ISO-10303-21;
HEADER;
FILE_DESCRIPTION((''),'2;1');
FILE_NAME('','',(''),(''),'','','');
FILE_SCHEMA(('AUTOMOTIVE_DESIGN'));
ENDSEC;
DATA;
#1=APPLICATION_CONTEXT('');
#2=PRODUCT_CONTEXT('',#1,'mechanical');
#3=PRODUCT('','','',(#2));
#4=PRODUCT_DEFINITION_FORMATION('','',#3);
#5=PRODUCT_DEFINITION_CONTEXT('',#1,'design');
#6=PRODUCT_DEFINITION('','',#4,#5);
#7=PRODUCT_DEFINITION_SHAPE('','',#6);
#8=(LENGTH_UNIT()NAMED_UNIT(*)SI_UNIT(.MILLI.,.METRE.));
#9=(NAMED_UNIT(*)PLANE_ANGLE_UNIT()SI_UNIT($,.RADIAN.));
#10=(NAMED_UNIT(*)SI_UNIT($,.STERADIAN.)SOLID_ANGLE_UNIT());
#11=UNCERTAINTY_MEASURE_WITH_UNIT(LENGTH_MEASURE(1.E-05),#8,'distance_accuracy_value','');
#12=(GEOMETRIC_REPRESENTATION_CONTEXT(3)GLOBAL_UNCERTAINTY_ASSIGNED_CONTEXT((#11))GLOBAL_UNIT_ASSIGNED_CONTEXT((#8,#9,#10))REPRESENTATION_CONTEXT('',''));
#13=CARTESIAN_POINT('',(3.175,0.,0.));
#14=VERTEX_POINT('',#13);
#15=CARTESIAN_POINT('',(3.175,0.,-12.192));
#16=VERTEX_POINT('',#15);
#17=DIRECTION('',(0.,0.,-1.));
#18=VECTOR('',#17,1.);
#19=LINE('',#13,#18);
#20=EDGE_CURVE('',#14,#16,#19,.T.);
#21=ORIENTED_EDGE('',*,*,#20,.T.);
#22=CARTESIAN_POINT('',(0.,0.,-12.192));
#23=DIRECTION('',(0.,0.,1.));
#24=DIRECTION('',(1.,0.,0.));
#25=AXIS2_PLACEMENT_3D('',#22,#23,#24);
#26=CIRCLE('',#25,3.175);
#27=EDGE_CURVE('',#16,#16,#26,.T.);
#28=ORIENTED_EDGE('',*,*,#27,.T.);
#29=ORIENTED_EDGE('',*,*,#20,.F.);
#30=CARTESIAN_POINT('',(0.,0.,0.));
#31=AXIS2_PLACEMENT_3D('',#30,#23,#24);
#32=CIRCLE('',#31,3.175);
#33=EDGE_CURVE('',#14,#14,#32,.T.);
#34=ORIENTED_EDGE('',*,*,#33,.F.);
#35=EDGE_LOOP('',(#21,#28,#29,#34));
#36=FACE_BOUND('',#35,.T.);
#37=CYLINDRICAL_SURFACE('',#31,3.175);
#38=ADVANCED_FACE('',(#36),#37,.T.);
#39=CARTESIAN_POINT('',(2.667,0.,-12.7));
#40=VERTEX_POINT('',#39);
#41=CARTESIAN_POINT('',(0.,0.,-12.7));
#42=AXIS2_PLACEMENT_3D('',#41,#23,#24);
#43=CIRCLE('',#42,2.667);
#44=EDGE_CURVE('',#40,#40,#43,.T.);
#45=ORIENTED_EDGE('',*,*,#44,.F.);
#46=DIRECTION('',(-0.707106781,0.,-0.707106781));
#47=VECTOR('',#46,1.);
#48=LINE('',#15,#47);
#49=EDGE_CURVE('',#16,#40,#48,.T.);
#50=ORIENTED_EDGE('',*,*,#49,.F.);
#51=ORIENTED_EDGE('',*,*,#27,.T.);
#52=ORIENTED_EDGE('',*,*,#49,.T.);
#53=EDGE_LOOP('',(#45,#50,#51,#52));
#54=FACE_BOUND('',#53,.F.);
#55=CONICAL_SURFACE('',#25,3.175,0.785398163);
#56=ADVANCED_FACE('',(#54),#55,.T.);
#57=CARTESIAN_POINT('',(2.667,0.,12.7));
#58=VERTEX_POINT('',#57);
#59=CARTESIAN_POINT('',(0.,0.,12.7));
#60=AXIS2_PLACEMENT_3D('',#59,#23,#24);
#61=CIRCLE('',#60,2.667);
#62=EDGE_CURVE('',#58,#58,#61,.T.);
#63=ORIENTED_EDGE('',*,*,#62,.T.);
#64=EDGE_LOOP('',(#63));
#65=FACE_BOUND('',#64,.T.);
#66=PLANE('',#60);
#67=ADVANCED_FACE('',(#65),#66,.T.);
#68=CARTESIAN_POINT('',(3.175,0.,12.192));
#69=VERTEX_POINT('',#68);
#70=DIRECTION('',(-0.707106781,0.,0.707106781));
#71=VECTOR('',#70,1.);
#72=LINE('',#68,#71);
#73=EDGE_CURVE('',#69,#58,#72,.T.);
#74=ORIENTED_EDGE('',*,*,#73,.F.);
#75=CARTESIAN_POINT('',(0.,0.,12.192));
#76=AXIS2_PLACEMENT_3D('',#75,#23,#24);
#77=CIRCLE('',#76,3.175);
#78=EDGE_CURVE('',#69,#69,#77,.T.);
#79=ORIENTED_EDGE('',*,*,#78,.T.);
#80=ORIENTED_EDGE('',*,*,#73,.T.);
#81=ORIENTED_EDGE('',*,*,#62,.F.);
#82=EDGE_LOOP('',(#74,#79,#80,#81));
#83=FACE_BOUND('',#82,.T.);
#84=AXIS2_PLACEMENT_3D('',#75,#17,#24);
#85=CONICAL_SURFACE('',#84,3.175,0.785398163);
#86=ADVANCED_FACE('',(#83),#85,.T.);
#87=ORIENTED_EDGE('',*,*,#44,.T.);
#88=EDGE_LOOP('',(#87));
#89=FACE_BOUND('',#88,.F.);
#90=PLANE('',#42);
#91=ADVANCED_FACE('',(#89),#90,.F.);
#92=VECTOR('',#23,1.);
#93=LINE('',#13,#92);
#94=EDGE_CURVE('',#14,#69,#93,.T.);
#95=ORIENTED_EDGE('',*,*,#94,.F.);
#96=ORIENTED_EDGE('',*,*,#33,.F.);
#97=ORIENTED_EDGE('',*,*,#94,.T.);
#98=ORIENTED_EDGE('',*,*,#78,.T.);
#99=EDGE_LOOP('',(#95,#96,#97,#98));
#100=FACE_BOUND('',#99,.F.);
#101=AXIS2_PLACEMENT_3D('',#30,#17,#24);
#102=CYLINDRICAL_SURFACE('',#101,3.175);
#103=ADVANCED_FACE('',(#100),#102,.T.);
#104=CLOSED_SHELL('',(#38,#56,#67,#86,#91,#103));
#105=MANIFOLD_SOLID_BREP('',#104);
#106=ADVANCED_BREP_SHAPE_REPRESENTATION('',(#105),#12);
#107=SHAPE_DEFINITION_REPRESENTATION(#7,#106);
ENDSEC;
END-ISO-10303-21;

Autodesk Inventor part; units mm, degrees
ref_plane "YZ Plane" through (0, 0, 0) normal (1, 0, 0) x (0, 1, 0)
ref_plane "XZ Plane" through (0, 0, 0) normal (0, 1, 0) x (-1, 0, 0)
ref_plane "XY Plane" through (0, 0, 0) normal (0, 0, 1) x (1, 0, 0)
sketch "Sketch1" plane through (0, 0, 0) normal (0, 0, 1) x (1, 0, 0)
  circle A0 centre (0, 0) radius 3.175
  dimension "d0" = 6.35
extrude "Extrusion1" add sketch "Sketch1" along normal mid plane 25.4
chamfer "Chamfer1" distance 0.508 angle 45 2 edges at (-3.175, 0, 12.7) (-3.175, 0, -12.7)
properties part number "1_4X1_DOWEL_PIN" material "Steel"
